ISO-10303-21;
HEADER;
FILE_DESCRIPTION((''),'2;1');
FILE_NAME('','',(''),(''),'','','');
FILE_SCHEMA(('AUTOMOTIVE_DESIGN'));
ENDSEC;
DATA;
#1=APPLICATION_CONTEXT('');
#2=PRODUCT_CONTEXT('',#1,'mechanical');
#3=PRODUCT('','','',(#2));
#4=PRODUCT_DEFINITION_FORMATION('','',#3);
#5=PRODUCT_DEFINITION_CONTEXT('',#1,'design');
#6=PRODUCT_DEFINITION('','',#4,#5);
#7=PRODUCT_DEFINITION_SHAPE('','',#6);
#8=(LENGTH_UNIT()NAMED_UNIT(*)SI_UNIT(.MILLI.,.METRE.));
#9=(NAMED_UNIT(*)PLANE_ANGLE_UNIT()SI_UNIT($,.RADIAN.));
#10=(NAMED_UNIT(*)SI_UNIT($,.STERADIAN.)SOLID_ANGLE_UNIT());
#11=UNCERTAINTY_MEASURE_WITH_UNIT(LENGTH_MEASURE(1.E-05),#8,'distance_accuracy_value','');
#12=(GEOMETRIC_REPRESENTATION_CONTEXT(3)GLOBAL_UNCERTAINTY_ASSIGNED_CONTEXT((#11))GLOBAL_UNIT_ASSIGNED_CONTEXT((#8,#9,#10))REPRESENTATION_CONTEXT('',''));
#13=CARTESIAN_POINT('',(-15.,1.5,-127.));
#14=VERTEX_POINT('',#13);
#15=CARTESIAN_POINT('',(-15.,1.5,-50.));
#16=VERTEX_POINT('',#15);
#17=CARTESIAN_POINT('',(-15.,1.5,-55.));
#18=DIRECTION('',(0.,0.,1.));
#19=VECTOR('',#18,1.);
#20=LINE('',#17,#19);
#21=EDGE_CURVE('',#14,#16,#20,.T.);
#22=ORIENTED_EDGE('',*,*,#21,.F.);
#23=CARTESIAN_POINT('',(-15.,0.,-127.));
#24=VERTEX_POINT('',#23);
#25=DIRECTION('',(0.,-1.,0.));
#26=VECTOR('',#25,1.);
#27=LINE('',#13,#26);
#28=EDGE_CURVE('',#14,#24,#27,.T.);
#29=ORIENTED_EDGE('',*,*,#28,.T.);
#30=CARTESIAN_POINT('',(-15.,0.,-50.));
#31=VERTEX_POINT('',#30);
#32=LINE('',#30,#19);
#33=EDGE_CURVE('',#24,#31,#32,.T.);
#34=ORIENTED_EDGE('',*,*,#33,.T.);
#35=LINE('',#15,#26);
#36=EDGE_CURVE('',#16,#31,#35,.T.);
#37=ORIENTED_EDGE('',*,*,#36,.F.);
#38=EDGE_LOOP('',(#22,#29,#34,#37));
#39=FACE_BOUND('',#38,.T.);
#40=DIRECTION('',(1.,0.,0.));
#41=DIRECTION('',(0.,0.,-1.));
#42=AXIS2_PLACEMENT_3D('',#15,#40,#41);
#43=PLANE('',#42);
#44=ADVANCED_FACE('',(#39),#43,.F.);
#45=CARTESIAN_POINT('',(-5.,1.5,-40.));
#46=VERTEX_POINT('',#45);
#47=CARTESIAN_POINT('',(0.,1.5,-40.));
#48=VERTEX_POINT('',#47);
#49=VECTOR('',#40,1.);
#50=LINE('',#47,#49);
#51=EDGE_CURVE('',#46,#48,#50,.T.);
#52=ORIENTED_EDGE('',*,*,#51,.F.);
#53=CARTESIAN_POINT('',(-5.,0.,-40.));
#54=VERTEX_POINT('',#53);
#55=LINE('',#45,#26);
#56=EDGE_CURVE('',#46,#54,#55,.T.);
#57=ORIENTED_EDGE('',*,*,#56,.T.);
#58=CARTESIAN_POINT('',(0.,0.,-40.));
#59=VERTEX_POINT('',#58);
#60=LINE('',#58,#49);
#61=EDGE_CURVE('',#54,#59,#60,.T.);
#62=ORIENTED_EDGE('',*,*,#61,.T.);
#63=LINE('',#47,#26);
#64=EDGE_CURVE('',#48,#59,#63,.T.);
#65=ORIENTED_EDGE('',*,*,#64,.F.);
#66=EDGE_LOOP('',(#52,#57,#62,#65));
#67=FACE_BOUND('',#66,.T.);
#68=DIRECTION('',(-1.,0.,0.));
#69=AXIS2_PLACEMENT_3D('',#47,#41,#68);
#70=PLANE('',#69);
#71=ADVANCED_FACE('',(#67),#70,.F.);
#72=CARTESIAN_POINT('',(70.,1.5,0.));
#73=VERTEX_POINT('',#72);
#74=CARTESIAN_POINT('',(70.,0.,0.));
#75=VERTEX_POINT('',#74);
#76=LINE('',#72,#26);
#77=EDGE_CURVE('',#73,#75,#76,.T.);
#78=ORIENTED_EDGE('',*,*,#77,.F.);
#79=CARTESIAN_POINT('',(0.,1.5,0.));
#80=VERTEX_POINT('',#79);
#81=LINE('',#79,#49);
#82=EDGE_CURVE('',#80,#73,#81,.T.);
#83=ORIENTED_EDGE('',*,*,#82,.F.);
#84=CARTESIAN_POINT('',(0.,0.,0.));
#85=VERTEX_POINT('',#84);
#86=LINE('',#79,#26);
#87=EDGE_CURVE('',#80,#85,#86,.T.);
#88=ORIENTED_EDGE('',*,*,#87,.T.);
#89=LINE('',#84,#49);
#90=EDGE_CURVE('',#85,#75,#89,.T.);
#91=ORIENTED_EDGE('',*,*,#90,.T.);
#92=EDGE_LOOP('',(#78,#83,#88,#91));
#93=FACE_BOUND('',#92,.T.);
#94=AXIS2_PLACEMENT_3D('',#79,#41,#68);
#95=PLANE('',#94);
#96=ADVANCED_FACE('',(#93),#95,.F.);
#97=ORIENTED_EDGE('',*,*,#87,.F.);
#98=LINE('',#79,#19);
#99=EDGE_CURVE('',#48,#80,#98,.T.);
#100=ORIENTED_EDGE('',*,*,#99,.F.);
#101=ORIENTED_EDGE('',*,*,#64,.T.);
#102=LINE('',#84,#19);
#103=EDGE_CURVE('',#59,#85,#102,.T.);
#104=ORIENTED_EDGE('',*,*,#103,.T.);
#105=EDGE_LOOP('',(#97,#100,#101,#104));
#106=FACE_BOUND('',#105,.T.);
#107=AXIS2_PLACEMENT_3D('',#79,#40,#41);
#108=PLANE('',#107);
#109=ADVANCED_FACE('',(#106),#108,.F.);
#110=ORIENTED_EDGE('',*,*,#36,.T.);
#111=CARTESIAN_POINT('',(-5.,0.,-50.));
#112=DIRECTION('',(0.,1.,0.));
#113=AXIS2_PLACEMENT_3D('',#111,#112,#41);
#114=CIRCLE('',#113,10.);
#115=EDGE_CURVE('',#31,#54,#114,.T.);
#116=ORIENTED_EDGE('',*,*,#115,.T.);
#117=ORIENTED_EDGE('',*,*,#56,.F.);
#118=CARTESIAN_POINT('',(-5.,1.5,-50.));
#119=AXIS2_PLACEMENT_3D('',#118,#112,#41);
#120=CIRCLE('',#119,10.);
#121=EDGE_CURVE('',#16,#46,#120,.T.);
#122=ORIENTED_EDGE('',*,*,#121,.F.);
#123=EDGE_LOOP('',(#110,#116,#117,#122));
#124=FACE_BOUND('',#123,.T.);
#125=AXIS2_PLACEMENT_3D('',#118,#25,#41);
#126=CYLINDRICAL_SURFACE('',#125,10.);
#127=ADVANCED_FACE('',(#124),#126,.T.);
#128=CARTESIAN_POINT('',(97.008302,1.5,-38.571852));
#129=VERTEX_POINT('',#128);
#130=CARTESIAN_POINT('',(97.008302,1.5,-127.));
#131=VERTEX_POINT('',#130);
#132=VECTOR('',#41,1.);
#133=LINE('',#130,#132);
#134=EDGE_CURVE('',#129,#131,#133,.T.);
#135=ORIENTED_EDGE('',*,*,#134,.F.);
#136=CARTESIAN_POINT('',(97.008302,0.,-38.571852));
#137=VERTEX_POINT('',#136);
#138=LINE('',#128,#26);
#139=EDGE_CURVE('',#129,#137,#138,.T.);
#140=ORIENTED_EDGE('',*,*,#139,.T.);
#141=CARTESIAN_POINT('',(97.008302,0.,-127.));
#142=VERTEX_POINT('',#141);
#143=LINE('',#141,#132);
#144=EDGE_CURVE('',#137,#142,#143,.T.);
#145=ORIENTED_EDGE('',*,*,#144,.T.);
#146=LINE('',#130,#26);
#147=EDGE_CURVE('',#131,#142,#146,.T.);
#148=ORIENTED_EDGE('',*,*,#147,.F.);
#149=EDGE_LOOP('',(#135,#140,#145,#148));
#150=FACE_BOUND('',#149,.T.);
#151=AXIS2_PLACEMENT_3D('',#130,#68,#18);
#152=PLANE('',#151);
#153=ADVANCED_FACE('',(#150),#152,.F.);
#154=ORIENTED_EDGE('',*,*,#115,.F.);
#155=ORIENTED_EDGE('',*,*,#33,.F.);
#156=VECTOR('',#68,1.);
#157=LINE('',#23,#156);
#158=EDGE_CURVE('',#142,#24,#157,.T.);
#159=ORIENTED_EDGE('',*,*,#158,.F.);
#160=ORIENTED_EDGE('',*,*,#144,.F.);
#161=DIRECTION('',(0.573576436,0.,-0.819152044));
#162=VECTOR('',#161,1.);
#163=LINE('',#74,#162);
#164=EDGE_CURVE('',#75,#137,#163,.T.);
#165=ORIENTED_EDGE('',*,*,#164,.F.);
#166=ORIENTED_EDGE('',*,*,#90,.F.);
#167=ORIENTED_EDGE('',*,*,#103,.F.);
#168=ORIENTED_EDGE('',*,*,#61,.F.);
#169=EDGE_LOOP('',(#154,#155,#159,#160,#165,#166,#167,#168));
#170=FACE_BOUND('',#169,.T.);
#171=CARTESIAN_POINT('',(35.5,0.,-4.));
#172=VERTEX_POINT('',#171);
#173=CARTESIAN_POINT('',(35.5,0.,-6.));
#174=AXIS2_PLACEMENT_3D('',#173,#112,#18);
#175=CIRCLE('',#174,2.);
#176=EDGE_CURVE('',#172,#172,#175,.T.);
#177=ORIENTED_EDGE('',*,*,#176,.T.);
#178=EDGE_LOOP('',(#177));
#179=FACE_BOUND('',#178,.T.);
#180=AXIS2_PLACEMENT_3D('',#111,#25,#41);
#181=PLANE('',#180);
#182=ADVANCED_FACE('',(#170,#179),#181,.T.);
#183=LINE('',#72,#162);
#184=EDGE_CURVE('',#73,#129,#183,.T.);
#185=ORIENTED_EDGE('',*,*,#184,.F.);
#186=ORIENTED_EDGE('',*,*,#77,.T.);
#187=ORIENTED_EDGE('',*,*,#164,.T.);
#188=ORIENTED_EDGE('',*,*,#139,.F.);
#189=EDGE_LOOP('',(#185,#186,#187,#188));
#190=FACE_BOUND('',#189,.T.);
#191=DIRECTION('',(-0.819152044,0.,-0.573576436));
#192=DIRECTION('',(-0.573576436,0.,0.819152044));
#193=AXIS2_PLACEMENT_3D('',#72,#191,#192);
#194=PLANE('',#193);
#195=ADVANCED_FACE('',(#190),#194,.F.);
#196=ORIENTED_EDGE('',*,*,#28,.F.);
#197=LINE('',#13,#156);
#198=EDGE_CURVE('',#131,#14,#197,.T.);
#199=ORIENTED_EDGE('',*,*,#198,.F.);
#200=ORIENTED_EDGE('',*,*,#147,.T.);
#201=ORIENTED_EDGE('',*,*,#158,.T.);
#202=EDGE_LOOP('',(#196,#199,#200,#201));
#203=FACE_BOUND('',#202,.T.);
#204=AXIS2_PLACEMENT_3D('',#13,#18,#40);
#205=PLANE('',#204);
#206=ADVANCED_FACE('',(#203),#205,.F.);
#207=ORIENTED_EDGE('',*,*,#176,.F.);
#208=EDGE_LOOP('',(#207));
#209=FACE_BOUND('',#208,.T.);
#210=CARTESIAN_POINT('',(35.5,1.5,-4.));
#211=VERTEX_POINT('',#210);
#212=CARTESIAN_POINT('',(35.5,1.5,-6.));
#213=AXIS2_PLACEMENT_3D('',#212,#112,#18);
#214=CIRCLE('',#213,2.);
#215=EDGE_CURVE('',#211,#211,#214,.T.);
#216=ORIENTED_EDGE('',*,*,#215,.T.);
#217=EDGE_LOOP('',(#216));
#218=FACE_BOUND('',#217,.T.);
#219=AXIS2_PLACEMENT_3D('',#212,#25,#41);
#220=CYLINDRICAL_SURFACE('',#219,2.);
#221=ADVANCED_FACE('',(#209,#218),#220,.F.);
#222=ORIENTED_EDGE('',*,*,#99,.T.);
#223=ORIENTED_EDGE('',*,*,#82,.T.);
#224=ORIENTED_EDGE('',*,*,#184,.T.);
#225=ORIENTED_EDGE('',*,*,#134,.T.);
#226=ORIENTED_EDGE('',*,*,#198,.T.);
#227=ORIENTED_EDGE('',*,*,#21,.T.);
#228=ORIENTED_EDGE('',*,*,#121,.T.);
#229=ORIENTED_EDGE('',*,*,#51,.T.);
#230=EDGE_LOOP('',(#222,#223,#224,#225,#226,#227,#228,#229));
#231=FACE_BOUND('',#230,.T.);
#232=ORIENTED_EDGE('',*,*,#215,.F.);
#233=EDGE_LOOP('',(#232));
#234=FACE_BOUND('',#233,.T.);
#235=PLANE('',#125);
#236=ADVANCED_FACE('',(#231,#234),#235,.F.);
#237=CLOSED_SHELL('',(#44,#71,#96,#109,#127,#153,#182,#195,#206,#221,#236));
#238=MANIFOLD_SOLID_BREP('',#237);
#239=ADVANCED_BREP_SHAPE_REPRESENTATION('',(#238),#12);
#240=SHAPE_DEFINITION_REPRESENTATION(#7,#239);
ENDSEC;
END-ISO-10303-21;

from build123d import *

# Parameters (mm, degrees)
IZIM15_R                    = 2
Y_KSEKLIK_EKSTR_ZYON1_DEPTH = 1.5


with BuildPart() as part:
    # Çizim15 → Yükseklik-Ekstrüzyon1 (new body)
    with BuildSketch(Plane(origin=(0, 0, 0), x_dir=(1, 0, 0), z_dir=(0, 1, 0))):
        with BuildLine():
            Line((0, 0), (70, 0))
            Line((70, 0), (97.008301528, 38.571851993))
            Line((97.008301528, 38.571851993), (97.008301528, 127))
            Line((97.008301528, 127), (-15, 127))
            Line((-15, 127), (-15, 55))
            Line((-15, 55), (-15, 50))
            ThreePointArc((-15, 50), (-12.071067812, 42.928932188), (-5, 40))
            Line((-5, 40), (0, 40))
            Line((0, 40), (0, 0))
        make_face()
        with Locations(Location((35.5, 6, 0), (0, 0, 270))):
            Circle(IZIM15_R, mode=Mode.SUBTRACT)
    extrude(amount=Y_KSEKLIK_EKSTR_ZYON1_DEPTH)


solid = part.part
